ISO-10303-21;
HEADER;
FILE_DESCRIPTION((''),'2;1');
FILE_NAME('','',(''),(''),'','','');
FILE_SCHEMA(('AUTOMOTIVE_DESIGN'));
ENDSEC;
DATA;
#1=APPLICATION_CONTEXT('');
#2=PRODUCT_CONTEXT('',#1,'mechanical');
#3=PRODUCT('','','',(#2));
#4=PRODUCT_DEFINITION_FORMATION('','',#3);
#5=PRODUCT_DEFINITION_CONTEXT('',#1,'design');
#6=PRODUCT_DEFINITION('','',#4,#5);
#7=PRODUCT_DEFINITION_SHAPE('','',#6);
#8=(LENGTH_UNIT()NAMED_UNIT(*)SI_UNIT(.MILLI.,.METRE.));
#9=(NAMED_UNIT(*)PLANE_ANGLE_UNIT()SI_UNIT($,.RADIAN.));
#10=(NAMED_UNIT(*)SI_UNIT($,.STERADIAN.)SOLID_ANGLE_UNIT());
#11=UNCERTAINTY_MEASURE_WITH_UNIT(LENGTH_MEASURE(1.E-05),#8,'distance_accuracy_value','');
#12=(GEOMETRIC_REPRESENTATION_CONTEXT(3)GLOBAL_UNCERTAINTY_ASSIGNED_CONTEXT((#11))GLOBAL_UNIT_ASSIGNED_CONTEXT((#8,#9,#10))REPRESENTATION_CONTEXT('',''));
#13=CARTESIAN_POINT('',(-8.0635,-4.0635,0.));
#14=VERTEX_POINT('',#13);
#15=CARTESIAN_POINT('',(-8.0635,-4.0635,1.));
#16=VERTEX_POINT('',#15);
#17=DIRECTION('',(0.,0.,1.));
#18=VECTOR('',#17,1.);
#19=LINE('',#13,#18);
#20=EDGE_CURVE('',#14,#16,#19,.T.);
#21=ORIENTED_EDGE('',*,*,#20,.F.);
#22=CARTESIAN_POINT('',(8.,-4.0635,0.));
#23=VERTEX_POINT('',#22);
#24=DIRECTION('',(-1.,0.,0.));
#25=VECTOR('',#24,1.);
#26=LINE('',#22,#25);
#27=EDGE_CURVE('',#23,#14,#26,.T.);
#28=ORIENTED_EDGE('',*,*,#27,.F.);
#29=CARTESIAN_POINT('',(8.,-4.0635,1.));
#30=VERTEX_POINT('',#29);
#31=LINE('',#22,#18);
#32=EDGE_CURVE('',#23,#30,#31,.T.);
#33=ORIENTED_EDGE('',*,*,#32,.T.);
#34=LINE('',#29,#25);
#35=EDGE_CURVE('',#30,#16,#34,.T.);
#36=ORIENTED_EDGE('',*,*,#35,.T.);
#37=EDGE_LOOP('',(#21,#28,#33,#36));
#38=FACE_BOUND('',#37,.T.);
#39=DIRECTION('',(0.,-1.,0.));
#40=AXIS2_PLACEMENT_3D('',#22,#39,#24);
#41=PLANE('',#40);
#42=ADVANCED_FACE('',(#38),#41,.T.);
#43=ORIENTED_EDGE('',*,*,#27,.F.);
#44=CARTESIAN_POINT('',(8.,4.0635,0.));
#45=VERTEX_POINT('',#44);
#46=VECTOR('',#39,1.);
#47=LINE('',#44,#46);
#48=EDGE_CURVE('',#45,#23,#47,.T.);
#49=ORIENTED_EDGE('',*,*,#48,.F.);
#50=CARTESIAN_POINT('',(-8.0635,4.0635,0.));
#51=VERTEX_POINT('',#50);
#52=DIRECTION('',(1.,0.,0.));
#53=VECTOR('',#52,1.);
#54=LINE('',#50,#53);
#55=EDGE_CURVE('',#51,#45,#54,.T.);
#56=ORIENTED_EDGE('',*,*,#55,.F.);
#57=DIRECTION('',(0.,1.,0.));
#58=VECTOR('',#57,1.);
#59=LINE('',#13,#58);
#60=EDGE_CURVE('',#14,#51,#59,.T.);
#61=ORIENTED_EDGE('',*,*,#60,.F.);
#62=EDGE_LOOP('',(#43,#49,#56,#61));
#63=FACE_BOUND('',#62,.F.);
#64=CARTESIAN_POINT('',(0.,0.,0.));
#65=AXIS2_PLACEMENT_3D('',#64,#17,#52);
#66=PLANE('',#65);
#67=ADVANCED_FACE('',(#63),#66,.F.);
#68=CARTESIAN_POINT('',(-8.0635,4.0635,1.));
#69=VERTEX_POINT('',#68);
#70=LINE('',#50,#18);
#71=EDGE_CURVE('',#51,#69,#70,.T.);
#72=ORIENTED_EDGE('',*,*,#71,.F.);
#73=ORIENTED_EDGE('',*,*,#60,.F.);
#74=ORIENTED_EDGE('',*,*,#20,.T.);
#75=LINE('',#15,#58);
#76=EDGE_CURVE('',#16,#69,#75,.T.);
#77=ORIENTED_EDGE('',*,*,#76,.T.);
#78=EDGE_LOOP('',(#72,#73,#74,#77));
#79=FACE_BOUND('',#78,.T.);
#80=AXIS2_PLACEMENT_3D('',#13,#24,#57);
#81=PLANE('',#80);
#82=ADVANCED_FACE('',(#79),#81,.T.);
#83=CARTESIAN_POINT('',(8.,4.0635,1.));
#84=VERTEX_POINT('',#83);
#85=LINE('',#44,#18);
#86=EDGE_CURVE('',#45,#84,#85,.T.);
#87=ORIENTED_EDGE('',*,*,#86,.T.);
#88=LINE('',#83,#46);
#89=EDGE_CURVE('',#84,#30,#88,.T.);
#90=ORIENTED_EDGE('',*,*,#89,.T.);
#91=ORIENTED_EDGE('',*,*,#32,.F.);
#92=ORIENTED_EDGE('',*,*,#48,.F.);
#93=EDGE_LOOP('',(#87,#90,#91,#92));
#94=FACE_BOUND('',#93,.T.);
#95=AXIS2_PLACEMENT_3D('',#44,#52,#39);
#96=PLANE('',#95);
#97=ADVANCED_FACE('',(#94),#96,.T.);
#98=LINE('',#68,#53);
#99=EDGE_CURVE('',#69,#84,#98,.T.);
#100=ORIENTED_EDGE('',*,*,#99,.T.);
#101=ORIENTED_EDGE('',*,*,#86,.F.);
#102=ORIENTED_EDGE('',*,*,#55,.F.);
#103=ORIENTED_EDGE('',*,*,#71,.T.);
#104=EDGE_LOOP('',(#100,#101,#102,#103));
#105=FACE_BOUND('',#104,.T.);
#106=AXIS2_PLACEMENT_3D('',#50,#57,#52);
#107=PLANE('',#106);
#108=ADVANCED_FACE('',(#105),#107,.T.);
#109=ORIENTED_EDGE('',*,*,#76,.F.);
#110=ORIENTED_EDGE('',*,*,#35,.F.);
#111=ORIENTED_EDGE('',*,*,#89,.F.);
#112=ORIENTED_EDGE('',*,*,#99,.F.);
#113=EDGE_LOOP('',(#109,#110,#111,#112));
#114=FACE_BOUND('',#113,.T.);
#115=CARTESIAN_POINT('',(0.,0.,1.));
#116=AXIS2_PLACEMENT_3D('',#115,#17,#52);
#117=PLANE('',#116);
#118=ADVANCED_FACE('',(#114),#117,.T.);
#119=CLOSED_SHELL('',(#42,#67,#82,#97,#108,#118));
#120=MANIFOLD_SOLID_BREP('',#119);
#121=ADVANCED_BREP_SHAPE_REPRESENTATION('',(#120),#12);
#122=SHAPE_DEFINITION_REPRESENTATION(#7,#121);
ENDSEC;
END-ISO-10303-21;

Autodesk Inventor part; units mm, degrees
ref_plane "YZ Plane" through (0, 0, 0) normal (1, 0, 0) x (0, 1, 0)
ref_plane "XZ Plane" through (0, 0, 0) normal (0, 1, 0) x (-1, 0, 0)
ref_plane "XY Plane" through (0, 0, 0) normal (0, 0, 1) x (1, 0, 0)
sketch "XT60, XT60_61" plane through (0, 0, 0) normal (0, 0, 1) x (1, 0, 0)
  line L0 (-8.0635, 4.0635) -> (8, 4.0635)
  line L1 (8, 4.0635) -> (8, -4.0635)
  line L2 (8, -4.0635) -> (-8.0635, -4.0635)
  line L3 (-8.0635, -4.0635) -> (-8.0635, 4.0635)
extrude "Extrusion1" add sketch "XT60, XT60_61" along normal blind 1
properties part number "XT60"
